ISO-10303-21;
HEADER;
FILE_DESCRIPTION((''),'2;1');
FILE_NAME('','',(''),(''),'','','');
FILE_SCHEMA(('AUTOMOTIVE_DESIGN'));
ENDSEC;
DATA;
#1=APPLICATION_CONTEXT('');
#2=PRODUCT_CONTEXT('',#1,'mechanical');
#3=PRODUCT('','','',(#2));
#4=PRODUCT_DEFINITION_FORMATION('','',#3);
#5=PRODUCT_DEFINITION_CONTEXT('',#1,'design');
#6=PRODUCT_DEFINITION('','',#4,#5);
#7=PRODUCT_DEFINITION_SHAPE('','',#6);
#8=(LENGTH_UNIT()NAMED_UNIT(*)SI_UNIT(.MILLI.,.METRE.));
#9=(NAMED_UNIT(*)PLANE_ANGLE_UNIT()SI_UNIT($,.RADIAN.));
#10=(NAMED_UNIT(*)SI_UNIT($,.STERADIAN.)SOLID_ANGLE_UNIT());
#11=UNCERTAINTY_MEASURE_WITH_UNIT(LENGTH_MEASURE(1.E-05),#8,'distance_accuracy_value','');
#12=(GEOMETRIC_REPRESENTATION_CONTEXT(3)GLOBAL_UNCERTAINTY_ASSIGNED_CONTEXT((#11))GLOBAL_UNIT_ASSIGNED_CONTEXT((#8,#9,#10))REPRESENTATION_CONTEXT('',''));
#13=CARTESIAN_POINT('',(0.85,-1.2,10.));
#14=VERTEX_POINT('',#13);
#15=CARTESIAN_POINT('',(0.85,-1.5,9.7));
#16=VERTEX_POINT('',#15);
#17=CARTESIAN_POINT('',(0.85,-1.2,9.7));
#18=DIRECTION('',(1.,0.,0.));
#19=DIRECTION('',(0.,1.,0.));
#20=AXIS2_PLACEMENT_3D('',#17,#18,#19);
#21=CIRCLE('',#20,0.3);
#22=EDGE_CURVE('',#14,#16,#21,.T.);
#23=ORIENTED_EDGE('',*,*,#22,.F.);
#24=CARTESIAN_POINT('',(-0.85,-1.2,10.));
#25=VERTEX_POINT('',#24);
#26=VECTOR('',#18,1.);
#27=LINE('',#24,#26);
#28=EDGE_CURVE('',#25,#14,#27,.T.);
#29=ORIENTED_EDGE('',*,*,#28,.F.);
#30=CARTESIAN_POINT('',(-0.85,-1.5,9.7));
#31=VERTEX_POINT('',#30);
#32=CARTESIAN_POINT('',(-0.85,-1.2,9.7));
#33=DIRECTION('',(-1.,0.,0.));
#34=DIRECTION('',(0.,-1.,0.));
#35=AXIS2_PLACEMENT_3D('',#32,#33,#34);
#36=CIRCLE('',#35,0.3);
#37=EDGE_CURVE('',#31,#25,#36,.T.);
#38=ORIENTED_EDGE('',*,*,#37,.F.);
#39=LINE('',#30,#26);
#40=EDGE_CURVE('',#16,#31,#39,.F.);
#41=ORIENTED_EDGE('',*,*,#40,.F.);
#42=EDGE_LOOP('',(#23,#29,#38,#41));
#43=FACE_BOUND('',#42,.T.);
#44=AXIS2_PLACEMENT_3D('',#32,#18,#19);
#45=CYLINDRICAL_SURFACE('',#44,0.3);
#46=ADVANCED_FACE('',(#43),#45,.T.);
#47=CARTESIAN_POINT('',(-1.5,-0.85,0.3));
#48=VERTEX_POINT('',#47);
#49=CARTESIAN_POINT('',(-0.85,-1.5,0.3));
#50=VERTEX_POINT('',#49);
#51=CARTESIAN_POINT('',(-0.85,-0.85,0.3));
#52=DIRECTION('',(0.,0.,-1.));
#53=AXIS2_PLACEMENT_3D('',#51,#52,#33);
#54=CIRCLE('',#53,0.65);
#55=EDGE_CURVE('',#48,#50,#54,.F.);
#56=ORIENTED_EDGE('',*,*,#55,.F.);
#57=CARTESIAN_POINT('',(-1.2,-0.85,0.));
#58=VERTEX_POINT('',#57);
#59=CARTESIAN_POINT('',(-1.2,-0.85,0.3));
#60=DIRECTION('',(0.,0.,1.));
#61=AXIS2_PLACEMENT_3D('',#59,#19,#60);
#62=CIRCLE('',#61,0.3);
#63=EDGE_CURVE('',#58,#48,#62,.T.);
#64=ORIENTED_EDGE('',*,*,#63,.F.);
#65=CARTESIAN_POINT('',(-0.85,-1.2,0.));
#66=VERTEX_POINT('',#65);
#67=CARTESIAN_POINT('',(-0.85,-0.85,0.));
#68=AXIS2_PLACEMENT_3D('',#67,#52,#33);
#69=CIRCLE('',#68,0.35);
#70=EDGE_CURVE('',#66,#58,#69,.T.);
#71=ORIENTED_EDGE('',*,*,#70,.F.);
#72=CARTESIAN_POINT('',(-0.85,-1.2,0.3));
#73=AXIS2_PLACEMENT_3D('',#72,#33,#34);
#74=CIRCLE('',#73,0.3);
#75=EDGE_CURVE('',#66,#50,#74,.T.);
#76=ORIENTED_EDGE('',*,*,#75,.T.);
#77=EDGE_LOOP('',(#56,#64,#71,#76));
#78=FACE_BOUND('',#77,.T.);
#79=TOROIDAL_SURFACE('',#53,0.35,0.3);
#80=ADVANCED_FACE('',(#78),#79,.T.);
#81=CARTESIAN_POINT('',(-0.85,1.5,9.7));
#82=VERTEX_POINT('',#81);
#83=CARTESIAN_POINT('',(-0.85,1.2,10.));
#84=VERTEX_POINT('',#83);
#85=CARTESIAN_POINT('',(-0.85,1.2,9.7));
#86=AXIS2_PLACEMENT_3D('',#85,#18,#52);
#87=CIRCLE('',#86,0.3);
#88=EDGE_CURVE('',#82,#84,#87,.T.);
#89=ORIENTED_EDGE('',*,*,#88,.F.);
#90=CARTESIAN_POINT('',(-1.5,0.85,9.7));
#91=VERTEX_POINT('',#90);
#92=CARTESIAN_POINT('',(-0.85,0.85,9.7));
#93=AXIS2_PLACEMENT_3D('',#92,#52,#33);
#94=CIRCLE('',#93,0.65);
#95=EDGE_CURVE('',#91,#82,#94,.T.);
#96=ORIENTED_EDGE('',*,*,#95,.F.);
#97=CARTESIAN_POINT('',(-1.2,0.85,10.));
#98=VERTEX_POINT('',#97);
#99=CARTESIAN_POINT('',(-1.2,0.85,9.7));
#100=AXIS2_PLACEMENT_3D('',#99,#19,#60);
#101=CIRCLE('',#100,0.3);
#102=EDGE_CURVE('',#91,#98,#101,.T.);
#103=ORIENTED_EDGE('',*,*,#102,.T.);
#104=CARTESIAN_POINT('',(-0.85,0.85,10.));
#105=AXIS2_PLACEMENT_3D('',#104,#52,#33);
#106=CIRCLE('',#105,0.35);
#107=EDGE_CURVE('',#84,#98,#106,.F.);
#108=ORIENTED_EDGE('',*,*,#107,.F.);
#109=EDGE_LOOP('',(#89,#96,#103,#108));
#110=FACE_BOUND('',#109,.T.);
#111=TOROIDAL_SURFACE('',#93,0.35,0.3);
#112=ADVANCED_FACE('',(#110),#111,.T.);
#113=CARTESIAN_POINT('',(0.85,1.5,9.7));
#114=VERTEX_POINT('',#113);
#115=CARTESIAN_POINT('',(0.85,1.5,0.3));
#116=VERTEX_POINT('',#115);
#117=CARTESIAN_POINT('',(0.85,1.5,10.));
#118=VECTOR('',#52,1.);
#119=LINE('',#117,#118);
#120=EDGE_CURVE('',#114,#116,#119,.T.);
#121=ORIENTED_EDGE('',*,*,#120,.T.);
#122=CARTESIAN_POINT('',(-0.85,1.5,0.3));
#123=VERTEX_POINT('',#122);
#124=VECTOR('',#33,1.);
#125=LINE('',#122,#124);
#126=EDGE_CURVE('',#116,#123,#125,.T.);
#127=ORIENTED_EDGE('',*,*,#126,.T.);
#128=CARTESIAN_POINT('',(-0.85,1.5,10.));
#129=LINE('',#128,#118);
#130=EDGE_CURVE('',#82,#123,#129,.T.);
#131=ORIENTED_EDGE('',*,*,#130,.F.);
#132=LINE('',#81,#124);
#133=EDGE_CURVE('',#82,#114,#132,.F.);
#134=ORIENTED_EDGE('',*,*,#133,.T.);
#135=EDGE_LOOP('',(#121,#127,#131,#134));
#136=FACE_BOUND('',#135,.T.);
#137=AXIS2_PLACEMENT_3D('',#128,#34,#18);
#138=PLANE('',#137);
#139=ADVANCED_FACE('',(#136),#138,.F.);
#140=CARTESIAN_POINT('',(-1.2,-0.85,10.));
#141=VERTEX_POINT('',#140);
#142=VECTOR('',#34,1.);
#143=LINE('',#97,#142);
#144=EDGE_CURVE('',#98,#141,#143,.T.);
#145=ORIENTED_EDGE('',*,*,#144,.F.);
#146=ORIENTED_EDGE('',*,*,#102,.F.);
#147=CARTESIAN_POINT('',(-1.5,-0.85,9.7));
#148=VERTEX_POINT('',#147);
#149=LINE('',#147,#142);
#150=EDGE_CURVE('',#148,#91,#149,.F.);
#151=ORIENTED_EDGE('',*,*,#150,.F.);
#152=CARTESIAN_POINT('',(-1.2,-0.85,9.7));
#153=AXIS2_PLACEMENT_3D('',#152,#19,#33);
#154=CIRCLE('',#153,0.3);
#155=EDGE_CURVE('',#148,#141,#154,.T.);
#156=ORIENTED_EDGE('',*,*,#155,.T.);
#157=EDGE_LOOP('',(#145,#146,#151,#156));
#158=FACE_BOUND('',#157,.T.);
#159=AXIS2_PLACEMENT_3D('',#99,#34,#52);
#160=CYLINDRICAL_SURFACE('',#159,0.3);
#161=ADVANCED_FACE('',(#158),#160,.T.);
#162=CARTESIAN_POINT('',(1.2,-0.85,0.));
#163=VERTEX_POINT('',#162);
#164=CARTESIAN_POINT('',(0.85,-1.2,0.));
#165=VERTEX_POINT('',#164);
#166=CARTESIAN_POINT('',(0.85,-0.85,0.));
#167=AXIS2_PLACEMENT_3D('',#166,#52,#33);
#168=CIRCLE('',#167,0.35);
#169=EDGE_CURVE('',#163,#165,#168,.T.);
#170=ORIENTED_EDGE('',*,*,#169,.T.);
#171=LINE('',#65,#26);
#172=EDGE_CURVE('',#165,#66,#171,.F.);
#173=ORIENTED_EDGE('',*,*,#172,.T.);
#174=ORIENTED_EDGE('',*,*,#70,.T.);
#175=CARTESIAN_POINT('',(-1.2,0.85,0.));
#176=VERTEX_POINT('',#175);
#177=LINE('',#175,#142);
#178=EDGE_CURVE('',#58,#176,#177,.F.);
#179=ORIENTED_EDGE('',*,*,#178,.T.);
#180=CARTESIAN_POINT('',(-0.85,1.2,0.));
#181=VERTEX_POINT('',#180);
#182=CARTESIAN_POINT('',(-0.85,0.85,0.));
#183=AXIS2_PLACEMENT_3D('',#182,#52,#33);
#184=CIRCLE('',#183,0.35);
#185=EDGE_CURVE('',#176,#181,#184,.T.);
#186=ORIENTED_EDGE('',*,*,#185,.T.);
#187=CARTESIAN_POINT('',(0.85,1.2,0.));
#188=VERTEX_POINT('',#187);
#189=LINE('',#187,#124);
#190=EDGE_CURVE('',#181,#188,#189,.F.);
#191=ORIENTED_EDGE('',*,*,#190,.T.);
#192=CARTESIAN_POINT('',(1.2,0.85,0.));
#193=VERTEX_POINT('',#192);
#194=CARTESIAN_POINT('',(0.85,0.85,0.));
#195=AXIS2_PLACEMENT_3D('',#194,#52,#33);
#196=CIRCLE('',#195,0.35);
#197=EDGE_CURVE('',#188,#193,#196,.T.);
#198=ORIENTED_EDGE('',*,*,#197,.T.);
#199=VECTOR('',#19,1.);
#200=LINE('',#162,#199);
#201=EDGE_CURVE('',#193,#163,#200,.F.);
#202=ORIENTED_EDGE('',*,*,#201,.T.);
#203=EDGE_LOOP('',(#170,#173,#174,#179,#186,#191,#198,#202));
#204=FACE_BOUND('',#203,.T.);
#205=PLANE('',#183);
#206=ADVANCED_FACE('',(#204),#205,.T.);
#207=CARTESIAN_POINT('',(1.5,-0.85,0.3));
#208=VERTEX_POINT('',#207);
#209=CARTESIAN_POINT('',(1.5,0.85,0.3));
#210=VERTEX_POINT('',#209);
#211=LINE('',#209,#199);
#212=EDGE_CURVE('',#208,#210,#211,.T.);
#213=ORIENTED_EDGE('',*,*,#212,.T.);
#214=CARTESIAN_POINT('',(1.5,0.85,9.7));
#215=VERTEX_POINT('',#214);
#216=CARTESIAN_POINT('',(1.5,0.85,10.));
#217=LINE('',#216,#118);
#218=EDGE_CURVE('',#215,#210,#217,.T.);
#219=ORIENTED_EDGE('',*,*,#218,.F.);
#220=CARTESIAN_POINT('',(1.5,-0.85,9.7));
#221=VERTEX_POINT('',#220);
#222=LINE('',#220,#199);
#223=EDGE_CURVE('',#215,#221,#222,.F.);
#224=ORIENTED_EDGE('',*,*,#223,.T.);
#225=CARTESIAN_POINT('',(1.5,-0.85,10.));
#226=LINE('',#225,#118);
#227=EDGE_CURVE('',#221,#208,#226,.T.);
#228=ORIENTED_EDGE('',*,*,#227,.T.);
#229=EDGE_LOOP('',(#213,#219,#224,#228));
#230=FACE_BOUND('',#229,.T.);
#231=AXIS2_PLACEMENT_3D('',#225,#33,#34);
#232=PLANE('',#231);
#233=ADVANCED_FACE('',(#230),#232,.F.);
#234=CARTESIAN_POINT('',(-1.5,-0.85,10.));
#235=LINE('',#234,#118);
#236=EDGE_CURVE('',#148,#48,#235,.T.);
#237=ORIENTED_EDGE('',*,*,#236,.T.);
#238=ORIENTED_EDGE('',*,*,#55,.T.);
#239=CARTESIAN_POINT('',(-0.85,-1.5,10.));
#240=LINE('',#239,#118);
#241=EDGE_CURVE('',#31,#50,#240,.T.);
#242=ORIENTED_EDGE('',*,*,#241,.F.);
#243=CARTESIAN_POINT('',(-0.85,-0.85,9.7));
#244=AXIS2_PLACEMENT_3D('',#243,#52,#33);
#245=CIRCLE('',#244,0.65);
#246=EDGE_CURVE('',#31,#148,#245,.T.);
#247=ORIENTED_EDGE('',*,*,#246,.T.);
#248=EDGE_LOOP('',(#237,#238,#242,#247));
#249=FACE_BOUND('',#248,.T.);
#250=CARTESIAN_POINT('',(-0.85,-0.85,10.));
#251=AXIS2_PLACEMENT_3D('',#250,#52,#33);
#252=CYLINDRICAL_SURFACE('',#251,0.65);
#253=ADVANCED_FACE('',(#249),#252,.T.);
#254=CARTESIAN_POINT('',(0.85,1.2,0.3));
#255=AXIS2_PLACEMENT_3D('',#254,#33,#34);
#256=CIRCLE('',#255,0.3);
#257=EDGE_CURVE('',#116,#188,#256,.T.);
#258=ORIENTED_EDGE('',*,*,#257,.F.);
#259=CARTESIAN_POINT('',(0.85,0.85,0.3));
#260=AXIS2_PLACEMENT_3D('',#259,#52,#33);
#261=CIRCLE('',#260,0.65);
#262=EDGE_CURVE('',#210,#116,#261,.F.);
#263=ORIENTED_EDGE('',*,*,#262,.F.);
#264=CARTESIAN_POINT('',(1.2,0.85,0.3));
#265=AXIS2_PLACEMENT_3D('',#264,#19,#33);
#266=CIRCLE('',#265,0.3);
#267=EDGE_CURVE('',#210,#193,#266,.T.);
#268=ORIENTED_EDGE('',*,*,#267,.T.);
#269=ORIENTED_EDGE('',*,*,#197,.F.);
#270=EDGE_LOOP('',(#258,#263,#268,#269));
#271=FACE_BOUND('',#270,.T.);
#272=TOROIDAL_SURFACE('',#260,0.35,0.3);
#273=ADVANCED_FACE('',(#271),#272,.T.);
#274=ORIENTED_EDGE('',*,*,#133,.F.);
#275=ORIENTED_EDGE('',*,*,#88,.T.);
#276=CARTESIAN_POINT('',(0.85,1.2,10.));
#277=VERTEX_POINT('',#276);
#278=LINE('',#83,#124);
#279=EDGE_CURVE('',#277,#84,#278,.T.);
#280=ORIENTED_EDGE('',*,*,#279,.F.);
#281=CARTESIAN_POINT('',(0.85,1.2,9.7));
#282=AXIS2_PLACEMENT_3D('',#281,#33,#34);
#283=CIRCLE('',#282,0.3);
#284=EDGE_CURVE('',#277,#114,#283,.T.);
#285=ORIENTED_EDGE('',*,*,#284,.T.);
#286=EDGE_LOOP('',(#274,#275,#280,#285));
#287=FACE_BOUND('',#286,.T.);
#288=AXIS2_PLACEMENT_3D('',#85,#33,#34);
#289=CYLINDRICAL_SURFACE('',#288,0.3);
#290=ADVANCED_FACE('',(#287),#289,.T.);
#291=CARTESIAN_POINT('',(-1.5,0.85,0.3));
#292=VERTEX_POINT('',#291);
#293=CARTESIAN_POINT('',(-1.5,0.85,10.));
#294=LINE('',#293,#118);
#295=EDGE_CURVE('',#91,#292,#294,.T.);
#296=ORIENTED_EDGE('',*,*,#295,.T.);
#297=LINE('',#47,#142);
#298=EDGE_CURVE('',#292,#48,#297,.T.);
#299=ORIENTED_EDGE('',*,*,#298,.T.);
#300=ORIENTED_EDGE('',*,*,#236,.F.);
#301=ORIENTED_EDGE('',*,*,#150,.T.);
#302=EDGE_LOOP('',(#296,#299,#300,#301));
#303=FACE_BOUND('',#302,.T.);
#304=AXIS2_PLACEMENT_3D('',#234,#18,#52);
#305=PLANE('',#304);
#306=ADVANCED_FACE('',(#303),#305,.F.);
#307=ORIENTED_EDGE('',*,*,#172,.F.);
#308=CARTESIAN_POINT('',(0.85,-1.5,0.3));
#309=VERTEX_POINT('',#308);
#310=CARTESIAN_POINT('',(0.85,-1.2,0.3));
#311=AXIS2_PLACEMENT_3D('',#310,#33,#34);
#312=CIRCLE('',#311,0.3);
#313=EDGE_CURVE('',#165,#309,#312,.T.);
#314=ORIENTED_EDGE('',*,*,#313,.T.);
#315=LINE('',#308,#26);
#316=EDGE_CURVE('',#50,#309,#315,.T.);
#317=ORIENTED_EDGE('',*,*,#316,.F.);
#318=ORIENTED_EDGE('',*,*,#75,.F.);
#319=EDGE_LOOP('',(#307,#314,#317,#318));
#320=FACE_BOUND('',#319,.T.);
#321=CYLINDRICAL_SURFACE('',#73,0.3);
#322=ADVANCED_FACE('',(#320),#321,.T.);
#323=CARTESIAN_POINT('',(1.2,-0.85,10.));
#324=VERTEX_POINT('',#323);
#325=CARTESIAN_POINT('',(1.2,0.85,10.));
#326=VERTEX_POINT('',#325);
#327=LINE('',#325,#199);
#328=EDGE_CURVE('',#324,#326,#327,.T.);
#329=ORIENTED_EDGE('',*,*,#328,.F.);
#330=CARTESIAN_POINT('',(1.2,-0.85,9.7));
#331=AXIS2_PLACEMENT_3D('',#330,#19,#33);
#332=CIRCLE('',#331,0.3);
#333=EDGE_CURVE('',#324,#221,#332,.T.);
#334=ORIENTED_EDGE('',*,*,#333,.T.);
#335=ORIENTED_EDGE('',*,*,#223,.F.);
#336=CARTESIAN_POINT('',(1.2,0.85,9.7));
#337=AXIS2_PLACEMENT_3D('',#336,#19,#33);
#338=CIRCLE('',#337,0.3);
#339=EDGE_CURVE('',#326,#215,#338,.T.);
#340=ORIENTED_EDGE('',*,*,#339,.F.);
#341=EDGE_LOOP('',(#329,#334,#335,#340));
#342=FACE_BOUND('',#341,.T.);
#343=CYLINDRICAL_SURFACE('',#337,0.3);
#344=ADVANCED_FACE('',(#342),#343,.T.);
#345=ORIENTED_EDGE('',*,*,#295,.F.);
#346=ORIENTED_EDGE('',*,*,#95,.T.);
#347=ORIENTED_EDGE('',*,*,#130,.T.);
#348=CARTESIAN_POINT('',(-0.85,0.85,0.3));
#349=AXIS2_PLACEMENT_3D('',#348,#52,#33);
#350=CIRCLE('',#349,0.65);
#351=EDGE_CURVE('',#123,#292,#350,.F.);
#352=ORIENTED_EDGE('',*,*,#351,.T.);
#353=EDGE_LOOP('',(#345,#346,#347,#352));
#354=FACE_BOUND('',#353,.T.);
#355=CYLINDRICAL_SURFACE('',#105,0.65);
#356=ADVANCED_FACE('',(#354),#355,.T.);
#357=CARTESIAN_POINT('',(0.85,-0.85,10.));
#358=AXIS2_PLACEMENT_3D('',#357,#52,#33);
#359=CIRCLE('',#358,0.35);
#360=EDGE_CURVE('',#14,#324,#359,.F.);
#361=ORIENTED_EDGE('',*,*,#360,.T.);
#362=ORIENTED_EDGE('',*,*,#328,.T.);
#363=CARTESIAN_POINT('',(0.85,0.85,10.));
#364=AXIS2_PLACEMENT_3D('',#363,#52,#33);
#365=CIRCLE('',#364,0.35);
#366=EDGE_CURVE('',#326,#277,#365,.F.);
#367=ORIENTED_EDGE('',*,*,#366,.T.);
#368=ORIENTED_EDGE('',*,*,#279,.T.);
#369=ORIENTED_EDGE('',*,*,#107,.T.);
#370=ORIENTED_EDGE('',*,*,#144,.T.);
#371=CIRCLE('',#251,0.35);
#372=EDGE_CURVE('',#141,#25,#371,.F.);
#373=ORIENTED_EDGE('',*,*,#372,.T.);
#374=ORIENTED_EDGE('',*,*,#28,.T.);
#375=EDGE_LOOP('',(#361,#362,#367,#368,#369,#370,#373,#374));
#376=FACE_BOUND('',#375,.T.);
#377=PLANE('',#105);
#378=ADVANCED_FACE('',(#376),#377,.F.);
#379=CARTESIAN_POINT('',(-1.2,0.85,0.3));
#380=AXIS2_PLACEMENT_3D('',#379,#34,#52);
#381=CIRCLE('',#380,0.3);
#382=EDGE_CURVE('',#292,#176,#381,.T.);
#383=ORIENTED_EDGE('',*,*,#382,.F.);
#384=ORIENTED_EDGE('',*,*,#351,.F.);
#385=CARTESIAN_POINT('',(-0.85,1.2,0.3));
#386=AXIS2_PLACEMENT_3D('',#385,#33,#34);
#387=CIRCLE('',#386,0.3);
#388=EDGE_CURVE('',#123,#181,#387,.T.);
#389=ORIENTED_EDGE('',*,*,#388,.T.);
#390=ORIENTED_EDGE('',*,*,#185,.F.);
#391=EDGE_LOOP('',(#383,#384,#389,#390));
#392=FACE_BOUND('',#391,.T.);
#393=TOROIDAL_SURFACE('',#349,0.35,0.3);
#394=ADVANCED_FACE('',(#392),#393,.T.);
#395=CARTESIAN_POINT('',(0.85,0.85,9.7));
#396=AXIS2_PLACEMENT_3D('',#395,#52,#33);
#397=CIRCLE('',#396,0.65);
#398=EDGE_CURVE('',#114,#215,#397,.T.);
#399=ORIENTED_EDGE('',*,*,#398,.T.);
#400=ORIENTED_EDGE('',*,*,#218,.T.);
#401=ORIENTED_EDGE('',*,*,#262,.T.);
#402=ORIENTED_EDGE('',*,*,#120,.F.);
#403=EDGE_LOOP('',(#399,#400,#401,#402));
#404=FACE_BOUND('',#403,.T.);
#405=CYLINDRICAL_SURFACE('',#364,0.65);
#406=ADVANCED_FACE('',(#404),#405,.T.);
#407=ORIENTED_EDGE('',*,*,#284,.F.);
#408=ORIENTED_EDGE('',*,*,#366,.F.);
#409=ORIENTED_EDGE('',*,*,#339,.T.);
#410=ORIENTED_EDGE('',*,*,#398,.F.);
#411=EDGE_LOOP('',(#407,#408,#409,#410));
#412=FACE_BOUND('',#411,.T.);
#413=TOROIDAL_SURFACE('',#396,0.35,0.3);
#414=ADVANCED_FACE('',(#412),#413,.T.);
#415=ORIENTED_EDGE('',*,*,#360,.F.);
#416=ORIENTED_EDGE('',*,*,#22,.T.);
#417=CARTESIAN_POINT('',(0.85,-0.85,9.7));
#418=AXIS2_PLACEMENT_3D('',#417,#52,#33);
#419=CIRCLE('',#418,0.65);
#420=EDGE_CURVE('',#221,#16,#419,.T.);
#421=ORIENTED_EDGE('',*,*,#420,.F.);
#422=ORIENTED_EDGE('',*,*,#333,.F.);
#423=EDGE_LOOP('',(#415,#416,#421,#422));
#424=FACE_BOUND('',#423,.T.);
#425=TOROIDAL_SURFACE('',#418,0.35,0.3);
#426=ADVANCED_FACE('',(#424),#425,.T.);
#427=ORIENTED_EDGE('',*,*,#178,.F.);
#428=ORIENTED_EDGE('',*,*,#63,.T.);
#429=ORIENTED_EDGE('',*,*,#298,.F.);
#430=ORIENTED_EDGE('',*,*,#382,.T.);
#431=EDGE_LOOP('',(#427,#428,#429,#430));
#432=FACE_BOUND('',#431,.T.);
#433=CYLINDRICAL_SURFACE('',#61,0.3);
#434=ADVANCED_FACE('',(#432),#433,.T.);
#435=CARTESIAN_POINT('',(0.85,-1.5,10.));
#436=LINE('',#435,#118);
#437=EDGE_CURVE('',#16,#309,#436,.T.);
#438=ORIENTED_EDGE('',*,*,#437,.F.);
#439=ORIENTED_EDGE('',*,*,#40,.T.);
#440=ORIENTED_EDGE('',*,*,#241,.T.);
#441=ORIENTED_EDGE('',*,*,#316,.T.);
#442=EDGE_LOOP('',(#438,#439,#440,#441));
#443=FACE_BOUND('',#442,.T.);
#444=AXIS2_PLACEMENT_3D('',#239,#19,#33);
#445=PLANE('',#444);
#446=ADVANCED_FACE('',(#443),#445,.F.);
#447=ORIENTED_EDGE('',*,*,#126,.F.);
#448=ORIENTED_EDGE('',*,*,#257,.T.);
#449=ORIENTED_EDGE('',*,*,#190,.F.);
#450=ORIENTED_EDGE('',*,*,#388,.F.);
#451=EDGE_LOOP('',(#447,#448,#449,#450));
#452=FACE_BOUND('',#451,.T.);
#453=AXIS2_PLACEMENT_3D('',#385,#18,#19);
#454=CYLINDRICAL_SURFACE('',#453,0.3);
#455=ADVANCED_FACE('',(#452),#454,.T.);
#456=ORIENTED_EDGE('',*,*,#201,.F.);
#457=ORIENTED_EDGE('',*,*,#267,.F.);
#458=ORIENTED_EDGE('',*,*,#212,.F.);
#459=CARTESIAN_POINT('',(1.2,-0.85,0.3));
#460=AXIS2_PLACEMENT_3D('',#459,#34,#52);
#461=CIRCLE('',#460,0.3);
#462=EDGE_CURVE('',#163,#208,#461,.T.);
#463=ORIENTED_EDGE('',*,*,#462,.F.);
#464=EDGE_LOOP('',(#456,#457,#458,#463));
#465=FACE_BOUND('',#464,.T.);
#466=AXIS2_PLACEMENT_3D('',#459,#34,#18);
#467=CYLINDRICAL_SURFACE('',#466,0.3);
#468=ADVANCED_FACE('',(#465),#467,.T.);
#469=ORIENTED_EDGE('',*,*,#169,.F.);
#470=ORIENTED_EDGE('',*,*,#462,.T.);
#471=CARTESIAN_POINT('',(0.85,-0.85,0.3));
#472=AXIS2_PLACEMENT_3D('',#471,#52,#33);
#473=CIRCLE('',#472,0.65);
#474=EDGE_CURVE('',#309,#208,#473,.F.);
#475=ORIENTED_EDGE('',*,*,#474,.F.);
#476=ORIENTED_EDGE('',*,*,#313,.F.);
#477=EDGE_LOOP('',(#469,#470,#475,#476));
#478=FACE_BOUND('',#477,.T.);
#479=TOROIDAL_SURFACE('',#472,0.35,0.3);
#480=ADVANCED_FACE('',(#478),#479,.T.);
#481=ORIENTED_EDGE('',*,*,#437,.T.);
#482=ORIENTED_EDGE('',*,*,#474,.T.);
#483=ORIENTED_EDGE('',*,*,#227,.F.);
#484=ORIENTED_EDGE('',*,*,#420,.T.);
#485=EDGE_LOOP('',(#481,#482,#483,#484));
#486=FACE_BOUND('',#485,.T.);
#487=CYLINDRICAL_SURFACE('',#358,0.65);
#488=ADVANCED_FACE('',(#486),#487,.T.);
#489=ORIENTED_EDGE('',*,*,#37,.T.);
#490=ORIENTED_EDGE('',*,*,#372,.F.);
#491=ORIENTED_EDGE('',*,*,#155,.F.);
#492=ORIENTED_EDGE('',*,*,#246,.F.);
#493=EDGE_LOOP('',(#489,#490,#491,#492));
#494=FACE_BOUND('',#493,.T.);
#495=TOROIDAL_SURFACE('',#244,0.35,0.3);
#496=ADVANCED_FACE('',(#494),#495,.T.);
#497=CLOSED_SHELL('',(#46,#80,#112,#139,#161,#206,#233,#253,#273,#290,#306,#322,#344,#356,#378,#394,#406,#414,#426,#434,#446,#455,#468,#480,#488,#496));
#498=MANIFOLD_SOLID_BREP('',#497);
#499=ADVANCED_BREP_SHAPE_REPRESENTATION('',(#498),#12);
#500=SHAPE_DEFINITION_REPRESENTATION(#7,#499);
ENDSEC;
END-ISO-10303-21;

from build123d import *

# Parameters (mm, degrees)
RESSALTO_EXTRUS_O1_DEPTH = 10
FILETE1_R                = 0.3


with BuildPart() as part:
    # Esboço1 → Ressalto-extrusão1 (new body)
    with BuildSketch(Plane.XY):
        with BuildLine():
            Line((-0.85, 1.5), (0.85, 1.5))
            ThreePointArc((0.85, 1.5), (1.309619408, 1.309619408), (1.5, 0.85))
            Line((1.5, 0.85), (1.5, -0.85))
            ThreePointArc((1.5, -0.85), (1.309619408, -1.309619408), (0.85, -1.5))
            Line((0.85, -1.5), (-0.85, -1.5))
            ThreePointArc((-0.85, -1.5), (-1.309619408, -1.309619408), (-1.5, -0.85))
            Line((-1.5, -0.85), (-1.5, 0.85))
            ThreePointArc((-1.5, 0.85), (-1.309619408, 1.309619408), (-0.85, 1.5))
        make_face()
    extrude(amount=RESSALTO_EXTRUS_O1_DEPTH)

    # Filete1
    filete1_edges = [part.edges().sort_by_distance(p)[0] for p in [
        (0, -1.5, 0),
        (-1.309619408, -1.309619408, 0),
        (-1.5, 0, 0),
        (-1.309619408, 1.309619408, 0),
        (-1.309619408, -1.309619408, 10),
        (0, -1.5, 10),
        (1.309619408, -1.309619408, 10),
        (1.5, 0, 10),
        (1.309619408, 1.309619408, 10),
        (0, 1.5, 10),
        (-1.309619408, 1.309619408, 10),
        (0, 1.5, 0),
        (-1.5, 0, 10),
        (1.309619408, 1.309619408, 0),
        (1.5, 0, 0),
        (1.309619408, -1.309619408, 0),
    ]]
    fillet(filete1_edges, radius=FILETE1_R)


solid = part.part
